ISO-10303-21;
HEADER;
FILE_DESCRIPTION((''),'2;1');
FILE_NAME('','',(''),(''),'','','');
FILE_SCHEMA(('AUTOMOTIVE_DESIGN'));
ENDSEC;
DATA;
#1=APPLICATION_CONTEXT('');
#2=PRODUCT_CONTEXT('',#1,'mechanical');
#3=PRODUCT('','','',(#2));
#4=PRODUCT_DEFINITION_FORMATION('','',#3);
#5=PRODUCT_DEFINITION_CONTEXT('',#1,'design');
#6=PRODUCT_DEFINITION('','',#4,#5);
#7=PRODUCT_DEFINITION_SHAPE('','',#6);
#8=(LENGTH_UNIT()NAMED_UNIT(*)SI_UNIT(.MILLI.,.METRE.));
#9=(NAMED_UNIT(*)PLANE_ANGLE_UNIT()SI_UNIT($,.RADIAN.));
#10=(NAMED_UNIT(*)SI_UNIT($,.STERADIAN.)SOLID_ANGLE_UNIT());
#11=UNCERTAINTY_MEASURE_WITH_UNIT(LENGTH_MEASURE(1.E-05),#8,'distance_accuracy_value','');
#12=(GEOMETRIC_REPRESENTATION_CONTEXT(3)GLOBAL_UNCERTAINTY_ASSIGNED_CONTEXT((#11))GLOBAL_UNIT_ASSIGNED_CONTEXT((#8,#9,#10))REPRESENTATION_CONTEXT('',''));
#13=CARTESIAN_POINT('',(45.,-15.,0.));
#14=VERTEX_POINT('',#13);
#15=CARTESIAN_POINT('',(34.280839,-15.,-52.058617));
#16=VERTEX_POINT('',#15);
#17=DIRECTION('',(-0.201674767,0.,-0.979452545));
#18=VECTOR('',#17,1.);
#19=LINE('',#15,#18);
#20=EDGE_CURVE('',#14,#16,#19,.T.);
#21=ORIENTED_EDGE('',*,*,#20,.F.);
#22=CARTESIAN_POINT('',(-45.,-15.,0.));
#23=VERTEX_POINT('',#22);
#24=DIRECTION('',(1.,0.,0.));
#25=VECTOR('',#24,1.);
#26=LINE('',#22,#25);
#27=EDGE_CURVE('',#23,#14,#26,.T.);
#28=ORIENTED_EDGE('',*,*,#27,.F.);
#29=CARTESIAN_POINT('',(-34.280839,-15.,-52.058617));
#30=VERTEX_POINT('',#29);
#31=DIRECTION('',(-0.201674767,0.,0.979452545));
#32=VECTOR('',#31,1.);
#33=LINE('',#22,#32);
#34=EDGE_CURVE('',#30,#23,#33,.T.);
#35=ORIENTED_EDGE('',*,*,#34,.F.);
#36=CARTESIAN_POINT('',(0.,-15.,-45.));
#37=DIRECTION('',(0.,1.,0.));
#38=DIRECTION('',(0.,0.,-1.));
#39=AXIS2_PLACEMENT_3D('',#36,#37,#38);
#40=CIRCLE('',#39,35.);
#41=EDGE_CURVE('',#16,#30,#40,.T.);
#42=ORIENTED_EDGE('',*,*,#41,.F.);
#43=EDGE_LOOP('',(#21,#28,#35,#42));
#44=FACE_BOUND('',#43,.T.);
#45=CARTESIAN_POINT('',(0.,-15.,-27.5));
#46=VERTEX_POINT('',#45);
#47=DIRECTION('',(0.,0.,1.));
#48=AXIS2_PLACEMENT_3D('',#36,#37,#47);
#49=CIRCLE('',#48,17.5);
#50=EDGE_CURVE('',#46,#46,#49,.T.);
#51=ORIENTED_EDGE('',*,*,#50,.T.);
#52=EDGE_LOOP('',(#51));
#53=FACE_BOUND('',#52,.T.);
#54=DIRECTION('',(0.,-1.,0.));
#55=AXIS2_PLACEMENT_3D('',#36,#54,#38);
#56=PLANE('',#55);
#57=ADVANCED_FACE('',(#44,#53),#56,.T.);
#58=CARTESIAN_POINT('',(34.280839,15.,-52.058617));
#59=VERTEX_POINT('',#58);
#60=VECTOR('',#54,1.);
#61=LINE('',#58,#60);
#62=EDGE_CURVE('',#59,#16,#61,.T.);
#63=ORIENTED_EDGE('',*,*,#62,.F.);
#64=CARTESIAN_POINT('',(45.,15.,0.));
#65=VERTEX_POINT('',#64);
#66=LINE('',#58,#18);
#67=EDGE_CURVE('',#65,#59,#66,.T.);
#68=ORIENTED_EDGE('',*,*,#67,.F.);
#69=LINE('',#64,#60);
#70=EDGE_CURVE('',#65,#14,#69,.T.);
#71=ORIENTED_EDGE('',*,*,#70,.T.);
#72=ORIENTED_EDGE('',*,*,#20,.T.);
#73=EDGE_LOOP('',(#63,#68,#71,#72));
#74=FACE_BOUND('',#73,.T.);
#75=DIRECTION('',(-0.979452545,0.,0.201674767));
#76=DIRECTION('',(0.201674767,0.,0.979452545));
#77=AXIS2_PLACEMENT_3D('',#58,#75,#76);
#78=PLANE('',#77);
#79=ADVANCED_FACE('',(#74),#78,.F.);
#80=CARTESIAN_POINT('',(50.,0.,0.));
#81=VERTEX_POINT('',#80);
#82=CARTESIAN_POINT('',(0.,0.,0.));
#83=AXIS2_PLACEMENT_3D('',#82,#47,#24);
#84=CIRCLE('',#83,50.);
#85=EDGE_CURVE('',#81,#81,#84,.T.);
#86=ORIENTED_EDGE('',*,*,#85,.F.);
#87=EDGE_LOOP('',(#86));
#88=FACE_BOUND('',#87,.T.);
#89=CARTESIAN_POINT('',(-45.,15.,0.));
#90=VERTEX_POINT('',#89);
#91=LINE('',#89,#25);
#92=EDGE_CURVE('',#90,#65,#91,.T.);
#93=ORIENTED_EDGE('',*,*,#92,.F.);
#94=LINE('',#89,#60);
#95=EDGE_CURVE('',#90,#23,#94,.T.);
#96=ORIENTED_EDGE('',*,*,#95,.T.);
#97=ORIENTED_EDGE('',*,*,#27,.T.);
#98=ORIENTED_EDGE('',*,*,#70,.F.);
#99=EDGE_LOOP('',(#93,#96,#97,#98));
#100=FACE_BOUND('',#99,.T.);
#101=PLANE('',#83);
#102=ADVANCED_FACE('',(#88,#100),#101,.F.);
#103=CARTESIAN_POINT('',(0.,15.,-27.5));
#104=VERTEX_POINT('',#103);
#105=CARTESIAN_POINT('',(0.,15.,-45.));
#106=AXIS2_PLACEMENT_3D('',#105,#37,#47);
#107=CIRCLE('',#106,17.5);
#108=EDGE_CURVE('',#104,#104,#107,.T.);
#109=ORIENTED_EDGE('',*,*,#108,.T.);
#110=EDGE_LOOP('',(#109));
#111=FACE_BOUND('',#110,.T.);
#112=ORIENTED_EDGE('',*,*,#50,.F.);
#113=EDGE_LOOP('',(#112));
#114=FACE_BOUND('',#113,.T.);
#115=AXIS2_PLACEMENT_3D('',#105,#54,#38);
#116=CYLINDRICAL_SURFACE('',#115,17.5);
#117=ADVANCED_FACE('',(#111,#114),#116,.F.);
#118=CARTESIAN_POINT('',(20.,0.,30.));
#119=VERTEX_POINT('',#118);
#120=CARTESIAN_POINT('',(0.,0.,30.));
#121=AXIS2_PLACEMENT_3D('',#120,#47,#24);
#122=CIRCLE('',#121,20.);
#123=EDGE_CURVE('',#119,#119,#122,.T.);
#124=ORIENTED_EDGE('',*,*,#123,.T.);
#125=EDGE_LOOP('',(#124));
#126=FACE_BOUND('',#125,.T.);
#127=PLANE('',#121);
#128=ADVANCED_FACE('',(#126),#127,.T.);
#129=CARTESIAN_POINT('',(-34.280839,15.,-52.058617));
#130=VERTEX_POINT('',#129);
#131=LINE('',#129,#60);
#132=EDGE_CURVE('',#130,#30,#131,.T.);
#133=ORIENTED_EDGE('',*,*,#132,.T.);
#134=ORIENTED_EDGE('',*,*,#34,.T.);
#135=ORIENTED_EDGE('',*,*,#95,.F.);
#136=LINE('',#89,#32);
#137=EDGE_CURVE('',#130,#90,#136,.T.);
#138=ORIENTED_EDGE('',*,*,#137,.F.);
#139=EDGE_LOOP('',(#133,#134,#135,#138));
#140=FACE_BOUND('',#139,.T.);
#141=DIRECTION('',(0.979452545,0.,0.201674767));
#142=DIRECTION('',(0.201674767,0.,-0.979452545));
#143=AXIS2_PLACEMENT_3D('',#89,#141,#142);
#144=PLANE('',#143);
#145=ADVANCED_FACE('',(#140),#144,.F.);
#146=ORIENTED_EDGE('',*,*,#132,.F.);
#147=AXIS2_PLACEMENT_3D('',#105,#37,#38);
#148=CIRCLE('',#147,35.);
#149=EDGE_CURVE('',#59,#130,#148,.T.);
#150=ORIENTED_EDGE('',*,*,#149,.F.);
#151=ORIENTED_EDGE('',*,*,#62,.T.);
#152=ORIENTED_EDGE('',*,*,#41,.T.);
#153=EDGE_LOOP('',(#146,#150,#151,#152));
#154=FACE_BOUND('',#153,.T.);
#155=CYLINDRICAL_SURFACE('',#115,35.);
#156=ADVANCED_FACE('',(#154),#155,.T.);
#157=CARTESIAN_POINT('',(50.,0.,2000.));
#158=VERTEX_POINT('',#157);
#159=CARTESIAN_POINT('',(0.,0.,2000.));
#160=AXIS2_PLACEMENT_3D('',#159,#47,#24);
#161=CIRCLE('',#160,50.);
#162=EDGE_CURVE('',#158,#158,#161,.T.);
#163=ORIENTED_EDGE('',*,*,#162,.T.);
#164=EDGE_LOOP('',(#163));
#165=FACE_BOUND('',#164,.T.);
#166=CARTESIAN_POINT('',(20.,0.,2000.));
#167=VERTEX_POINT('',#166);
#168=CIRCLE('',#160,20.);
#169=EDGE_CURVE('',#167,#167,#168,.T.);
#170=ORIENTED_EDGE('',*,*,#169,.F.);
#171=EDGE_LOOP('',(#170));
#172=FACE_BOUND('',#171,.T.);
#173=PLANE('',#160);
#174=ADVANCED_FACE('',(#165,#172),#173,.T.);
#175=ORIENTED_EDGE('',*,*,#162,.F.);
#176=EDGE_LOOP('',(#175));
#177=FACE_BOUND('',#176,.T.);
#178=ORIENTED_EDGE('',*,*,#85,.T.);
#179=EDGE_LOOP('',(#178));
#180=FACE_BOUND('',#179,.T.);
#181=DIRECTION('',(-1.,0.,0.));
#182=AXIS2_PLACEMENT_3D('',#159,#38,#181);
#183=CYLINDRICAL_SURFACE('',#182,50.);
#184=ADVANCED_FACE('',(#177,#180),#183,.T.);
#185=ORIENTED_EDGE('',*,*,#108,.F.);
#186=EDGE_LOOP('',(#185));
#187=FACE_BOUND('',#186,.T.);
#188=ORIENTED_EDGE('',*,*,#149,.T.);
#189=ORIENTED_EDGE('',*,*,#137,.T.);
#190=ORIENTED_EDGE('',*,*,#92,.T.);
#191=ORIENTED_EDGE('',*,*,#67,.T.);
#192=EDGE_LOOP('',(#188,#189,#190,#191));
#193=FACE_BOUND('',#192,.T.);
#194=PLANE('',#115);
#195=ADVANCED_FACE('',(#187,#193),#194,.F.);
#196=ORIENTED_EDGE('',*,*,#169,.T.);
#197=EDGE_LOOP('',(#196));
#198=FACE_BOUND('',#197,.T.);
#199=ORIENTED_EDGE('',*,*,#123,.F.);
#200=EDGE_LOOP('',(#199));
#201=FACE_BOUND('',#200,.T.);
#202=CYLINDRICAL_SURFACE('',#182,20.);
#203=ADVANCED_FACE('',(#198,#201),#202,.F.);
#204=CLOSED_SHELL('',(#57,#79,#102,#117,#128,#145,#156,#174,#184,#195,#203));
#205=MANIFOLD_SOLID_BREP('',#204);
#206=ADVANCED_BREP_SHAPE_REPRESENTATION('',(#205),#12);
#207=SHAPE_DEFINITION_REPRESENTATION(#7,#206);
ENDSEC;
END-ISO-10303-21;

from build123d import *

# Parameters (mm, degrees)
SKETCH1_R           = 50
BOSS_EXTRUDE1_DEPTH = 2000
SHELL1_T            = -30
SKETCH2_R           = 17.5
BOSS_EXTRUDE2_DEPTH = 15


with BuildPart() as part:
    # Sketch1 → Boss-Extrude1 (new body)
    with BuildSketch(Plane.XY):
        Circle(SKETCH1_R)
    extrude(amount=BOSS_EXTRUDE1_DEPTH)

    # Shell1
    shell1_openings = [part.faces().sort_by_distance(p)[0] for p in [
        (0, 0, 2000),
    ]]
    offset(amount=SHELL1_T, openings=shell1_openings, kind=Kind.INTERSECTION)

    # Sketch2 → Boss-Extrude2 (add, symmetric)
    with BuildSketch(Plane(origin=(0, 0, 0), x_dir=(1, 0, 0), z_dir=(0, 1, 0))):
        with BuildLine():
            Line((-45, 0), (-34.28083908, 52.058616858))
            ThreePointArc((-34.28083908, 52.058616858), (0, 80), (34.28083908, 52.058616858))
            Line((34.28083908, 52.058616858), (45, 0))
            Line((45, 0), (-45, 0))
        make_face()
        with Locations(Location((0, 45, 0), (0, 0, 270))):
            Circle(SKETCH2_R, mode=Mode.SUBTRACT)
    extrude(amount=BOSS_EXTRUDE2_DEPTH, both=True)


solid = part.part
